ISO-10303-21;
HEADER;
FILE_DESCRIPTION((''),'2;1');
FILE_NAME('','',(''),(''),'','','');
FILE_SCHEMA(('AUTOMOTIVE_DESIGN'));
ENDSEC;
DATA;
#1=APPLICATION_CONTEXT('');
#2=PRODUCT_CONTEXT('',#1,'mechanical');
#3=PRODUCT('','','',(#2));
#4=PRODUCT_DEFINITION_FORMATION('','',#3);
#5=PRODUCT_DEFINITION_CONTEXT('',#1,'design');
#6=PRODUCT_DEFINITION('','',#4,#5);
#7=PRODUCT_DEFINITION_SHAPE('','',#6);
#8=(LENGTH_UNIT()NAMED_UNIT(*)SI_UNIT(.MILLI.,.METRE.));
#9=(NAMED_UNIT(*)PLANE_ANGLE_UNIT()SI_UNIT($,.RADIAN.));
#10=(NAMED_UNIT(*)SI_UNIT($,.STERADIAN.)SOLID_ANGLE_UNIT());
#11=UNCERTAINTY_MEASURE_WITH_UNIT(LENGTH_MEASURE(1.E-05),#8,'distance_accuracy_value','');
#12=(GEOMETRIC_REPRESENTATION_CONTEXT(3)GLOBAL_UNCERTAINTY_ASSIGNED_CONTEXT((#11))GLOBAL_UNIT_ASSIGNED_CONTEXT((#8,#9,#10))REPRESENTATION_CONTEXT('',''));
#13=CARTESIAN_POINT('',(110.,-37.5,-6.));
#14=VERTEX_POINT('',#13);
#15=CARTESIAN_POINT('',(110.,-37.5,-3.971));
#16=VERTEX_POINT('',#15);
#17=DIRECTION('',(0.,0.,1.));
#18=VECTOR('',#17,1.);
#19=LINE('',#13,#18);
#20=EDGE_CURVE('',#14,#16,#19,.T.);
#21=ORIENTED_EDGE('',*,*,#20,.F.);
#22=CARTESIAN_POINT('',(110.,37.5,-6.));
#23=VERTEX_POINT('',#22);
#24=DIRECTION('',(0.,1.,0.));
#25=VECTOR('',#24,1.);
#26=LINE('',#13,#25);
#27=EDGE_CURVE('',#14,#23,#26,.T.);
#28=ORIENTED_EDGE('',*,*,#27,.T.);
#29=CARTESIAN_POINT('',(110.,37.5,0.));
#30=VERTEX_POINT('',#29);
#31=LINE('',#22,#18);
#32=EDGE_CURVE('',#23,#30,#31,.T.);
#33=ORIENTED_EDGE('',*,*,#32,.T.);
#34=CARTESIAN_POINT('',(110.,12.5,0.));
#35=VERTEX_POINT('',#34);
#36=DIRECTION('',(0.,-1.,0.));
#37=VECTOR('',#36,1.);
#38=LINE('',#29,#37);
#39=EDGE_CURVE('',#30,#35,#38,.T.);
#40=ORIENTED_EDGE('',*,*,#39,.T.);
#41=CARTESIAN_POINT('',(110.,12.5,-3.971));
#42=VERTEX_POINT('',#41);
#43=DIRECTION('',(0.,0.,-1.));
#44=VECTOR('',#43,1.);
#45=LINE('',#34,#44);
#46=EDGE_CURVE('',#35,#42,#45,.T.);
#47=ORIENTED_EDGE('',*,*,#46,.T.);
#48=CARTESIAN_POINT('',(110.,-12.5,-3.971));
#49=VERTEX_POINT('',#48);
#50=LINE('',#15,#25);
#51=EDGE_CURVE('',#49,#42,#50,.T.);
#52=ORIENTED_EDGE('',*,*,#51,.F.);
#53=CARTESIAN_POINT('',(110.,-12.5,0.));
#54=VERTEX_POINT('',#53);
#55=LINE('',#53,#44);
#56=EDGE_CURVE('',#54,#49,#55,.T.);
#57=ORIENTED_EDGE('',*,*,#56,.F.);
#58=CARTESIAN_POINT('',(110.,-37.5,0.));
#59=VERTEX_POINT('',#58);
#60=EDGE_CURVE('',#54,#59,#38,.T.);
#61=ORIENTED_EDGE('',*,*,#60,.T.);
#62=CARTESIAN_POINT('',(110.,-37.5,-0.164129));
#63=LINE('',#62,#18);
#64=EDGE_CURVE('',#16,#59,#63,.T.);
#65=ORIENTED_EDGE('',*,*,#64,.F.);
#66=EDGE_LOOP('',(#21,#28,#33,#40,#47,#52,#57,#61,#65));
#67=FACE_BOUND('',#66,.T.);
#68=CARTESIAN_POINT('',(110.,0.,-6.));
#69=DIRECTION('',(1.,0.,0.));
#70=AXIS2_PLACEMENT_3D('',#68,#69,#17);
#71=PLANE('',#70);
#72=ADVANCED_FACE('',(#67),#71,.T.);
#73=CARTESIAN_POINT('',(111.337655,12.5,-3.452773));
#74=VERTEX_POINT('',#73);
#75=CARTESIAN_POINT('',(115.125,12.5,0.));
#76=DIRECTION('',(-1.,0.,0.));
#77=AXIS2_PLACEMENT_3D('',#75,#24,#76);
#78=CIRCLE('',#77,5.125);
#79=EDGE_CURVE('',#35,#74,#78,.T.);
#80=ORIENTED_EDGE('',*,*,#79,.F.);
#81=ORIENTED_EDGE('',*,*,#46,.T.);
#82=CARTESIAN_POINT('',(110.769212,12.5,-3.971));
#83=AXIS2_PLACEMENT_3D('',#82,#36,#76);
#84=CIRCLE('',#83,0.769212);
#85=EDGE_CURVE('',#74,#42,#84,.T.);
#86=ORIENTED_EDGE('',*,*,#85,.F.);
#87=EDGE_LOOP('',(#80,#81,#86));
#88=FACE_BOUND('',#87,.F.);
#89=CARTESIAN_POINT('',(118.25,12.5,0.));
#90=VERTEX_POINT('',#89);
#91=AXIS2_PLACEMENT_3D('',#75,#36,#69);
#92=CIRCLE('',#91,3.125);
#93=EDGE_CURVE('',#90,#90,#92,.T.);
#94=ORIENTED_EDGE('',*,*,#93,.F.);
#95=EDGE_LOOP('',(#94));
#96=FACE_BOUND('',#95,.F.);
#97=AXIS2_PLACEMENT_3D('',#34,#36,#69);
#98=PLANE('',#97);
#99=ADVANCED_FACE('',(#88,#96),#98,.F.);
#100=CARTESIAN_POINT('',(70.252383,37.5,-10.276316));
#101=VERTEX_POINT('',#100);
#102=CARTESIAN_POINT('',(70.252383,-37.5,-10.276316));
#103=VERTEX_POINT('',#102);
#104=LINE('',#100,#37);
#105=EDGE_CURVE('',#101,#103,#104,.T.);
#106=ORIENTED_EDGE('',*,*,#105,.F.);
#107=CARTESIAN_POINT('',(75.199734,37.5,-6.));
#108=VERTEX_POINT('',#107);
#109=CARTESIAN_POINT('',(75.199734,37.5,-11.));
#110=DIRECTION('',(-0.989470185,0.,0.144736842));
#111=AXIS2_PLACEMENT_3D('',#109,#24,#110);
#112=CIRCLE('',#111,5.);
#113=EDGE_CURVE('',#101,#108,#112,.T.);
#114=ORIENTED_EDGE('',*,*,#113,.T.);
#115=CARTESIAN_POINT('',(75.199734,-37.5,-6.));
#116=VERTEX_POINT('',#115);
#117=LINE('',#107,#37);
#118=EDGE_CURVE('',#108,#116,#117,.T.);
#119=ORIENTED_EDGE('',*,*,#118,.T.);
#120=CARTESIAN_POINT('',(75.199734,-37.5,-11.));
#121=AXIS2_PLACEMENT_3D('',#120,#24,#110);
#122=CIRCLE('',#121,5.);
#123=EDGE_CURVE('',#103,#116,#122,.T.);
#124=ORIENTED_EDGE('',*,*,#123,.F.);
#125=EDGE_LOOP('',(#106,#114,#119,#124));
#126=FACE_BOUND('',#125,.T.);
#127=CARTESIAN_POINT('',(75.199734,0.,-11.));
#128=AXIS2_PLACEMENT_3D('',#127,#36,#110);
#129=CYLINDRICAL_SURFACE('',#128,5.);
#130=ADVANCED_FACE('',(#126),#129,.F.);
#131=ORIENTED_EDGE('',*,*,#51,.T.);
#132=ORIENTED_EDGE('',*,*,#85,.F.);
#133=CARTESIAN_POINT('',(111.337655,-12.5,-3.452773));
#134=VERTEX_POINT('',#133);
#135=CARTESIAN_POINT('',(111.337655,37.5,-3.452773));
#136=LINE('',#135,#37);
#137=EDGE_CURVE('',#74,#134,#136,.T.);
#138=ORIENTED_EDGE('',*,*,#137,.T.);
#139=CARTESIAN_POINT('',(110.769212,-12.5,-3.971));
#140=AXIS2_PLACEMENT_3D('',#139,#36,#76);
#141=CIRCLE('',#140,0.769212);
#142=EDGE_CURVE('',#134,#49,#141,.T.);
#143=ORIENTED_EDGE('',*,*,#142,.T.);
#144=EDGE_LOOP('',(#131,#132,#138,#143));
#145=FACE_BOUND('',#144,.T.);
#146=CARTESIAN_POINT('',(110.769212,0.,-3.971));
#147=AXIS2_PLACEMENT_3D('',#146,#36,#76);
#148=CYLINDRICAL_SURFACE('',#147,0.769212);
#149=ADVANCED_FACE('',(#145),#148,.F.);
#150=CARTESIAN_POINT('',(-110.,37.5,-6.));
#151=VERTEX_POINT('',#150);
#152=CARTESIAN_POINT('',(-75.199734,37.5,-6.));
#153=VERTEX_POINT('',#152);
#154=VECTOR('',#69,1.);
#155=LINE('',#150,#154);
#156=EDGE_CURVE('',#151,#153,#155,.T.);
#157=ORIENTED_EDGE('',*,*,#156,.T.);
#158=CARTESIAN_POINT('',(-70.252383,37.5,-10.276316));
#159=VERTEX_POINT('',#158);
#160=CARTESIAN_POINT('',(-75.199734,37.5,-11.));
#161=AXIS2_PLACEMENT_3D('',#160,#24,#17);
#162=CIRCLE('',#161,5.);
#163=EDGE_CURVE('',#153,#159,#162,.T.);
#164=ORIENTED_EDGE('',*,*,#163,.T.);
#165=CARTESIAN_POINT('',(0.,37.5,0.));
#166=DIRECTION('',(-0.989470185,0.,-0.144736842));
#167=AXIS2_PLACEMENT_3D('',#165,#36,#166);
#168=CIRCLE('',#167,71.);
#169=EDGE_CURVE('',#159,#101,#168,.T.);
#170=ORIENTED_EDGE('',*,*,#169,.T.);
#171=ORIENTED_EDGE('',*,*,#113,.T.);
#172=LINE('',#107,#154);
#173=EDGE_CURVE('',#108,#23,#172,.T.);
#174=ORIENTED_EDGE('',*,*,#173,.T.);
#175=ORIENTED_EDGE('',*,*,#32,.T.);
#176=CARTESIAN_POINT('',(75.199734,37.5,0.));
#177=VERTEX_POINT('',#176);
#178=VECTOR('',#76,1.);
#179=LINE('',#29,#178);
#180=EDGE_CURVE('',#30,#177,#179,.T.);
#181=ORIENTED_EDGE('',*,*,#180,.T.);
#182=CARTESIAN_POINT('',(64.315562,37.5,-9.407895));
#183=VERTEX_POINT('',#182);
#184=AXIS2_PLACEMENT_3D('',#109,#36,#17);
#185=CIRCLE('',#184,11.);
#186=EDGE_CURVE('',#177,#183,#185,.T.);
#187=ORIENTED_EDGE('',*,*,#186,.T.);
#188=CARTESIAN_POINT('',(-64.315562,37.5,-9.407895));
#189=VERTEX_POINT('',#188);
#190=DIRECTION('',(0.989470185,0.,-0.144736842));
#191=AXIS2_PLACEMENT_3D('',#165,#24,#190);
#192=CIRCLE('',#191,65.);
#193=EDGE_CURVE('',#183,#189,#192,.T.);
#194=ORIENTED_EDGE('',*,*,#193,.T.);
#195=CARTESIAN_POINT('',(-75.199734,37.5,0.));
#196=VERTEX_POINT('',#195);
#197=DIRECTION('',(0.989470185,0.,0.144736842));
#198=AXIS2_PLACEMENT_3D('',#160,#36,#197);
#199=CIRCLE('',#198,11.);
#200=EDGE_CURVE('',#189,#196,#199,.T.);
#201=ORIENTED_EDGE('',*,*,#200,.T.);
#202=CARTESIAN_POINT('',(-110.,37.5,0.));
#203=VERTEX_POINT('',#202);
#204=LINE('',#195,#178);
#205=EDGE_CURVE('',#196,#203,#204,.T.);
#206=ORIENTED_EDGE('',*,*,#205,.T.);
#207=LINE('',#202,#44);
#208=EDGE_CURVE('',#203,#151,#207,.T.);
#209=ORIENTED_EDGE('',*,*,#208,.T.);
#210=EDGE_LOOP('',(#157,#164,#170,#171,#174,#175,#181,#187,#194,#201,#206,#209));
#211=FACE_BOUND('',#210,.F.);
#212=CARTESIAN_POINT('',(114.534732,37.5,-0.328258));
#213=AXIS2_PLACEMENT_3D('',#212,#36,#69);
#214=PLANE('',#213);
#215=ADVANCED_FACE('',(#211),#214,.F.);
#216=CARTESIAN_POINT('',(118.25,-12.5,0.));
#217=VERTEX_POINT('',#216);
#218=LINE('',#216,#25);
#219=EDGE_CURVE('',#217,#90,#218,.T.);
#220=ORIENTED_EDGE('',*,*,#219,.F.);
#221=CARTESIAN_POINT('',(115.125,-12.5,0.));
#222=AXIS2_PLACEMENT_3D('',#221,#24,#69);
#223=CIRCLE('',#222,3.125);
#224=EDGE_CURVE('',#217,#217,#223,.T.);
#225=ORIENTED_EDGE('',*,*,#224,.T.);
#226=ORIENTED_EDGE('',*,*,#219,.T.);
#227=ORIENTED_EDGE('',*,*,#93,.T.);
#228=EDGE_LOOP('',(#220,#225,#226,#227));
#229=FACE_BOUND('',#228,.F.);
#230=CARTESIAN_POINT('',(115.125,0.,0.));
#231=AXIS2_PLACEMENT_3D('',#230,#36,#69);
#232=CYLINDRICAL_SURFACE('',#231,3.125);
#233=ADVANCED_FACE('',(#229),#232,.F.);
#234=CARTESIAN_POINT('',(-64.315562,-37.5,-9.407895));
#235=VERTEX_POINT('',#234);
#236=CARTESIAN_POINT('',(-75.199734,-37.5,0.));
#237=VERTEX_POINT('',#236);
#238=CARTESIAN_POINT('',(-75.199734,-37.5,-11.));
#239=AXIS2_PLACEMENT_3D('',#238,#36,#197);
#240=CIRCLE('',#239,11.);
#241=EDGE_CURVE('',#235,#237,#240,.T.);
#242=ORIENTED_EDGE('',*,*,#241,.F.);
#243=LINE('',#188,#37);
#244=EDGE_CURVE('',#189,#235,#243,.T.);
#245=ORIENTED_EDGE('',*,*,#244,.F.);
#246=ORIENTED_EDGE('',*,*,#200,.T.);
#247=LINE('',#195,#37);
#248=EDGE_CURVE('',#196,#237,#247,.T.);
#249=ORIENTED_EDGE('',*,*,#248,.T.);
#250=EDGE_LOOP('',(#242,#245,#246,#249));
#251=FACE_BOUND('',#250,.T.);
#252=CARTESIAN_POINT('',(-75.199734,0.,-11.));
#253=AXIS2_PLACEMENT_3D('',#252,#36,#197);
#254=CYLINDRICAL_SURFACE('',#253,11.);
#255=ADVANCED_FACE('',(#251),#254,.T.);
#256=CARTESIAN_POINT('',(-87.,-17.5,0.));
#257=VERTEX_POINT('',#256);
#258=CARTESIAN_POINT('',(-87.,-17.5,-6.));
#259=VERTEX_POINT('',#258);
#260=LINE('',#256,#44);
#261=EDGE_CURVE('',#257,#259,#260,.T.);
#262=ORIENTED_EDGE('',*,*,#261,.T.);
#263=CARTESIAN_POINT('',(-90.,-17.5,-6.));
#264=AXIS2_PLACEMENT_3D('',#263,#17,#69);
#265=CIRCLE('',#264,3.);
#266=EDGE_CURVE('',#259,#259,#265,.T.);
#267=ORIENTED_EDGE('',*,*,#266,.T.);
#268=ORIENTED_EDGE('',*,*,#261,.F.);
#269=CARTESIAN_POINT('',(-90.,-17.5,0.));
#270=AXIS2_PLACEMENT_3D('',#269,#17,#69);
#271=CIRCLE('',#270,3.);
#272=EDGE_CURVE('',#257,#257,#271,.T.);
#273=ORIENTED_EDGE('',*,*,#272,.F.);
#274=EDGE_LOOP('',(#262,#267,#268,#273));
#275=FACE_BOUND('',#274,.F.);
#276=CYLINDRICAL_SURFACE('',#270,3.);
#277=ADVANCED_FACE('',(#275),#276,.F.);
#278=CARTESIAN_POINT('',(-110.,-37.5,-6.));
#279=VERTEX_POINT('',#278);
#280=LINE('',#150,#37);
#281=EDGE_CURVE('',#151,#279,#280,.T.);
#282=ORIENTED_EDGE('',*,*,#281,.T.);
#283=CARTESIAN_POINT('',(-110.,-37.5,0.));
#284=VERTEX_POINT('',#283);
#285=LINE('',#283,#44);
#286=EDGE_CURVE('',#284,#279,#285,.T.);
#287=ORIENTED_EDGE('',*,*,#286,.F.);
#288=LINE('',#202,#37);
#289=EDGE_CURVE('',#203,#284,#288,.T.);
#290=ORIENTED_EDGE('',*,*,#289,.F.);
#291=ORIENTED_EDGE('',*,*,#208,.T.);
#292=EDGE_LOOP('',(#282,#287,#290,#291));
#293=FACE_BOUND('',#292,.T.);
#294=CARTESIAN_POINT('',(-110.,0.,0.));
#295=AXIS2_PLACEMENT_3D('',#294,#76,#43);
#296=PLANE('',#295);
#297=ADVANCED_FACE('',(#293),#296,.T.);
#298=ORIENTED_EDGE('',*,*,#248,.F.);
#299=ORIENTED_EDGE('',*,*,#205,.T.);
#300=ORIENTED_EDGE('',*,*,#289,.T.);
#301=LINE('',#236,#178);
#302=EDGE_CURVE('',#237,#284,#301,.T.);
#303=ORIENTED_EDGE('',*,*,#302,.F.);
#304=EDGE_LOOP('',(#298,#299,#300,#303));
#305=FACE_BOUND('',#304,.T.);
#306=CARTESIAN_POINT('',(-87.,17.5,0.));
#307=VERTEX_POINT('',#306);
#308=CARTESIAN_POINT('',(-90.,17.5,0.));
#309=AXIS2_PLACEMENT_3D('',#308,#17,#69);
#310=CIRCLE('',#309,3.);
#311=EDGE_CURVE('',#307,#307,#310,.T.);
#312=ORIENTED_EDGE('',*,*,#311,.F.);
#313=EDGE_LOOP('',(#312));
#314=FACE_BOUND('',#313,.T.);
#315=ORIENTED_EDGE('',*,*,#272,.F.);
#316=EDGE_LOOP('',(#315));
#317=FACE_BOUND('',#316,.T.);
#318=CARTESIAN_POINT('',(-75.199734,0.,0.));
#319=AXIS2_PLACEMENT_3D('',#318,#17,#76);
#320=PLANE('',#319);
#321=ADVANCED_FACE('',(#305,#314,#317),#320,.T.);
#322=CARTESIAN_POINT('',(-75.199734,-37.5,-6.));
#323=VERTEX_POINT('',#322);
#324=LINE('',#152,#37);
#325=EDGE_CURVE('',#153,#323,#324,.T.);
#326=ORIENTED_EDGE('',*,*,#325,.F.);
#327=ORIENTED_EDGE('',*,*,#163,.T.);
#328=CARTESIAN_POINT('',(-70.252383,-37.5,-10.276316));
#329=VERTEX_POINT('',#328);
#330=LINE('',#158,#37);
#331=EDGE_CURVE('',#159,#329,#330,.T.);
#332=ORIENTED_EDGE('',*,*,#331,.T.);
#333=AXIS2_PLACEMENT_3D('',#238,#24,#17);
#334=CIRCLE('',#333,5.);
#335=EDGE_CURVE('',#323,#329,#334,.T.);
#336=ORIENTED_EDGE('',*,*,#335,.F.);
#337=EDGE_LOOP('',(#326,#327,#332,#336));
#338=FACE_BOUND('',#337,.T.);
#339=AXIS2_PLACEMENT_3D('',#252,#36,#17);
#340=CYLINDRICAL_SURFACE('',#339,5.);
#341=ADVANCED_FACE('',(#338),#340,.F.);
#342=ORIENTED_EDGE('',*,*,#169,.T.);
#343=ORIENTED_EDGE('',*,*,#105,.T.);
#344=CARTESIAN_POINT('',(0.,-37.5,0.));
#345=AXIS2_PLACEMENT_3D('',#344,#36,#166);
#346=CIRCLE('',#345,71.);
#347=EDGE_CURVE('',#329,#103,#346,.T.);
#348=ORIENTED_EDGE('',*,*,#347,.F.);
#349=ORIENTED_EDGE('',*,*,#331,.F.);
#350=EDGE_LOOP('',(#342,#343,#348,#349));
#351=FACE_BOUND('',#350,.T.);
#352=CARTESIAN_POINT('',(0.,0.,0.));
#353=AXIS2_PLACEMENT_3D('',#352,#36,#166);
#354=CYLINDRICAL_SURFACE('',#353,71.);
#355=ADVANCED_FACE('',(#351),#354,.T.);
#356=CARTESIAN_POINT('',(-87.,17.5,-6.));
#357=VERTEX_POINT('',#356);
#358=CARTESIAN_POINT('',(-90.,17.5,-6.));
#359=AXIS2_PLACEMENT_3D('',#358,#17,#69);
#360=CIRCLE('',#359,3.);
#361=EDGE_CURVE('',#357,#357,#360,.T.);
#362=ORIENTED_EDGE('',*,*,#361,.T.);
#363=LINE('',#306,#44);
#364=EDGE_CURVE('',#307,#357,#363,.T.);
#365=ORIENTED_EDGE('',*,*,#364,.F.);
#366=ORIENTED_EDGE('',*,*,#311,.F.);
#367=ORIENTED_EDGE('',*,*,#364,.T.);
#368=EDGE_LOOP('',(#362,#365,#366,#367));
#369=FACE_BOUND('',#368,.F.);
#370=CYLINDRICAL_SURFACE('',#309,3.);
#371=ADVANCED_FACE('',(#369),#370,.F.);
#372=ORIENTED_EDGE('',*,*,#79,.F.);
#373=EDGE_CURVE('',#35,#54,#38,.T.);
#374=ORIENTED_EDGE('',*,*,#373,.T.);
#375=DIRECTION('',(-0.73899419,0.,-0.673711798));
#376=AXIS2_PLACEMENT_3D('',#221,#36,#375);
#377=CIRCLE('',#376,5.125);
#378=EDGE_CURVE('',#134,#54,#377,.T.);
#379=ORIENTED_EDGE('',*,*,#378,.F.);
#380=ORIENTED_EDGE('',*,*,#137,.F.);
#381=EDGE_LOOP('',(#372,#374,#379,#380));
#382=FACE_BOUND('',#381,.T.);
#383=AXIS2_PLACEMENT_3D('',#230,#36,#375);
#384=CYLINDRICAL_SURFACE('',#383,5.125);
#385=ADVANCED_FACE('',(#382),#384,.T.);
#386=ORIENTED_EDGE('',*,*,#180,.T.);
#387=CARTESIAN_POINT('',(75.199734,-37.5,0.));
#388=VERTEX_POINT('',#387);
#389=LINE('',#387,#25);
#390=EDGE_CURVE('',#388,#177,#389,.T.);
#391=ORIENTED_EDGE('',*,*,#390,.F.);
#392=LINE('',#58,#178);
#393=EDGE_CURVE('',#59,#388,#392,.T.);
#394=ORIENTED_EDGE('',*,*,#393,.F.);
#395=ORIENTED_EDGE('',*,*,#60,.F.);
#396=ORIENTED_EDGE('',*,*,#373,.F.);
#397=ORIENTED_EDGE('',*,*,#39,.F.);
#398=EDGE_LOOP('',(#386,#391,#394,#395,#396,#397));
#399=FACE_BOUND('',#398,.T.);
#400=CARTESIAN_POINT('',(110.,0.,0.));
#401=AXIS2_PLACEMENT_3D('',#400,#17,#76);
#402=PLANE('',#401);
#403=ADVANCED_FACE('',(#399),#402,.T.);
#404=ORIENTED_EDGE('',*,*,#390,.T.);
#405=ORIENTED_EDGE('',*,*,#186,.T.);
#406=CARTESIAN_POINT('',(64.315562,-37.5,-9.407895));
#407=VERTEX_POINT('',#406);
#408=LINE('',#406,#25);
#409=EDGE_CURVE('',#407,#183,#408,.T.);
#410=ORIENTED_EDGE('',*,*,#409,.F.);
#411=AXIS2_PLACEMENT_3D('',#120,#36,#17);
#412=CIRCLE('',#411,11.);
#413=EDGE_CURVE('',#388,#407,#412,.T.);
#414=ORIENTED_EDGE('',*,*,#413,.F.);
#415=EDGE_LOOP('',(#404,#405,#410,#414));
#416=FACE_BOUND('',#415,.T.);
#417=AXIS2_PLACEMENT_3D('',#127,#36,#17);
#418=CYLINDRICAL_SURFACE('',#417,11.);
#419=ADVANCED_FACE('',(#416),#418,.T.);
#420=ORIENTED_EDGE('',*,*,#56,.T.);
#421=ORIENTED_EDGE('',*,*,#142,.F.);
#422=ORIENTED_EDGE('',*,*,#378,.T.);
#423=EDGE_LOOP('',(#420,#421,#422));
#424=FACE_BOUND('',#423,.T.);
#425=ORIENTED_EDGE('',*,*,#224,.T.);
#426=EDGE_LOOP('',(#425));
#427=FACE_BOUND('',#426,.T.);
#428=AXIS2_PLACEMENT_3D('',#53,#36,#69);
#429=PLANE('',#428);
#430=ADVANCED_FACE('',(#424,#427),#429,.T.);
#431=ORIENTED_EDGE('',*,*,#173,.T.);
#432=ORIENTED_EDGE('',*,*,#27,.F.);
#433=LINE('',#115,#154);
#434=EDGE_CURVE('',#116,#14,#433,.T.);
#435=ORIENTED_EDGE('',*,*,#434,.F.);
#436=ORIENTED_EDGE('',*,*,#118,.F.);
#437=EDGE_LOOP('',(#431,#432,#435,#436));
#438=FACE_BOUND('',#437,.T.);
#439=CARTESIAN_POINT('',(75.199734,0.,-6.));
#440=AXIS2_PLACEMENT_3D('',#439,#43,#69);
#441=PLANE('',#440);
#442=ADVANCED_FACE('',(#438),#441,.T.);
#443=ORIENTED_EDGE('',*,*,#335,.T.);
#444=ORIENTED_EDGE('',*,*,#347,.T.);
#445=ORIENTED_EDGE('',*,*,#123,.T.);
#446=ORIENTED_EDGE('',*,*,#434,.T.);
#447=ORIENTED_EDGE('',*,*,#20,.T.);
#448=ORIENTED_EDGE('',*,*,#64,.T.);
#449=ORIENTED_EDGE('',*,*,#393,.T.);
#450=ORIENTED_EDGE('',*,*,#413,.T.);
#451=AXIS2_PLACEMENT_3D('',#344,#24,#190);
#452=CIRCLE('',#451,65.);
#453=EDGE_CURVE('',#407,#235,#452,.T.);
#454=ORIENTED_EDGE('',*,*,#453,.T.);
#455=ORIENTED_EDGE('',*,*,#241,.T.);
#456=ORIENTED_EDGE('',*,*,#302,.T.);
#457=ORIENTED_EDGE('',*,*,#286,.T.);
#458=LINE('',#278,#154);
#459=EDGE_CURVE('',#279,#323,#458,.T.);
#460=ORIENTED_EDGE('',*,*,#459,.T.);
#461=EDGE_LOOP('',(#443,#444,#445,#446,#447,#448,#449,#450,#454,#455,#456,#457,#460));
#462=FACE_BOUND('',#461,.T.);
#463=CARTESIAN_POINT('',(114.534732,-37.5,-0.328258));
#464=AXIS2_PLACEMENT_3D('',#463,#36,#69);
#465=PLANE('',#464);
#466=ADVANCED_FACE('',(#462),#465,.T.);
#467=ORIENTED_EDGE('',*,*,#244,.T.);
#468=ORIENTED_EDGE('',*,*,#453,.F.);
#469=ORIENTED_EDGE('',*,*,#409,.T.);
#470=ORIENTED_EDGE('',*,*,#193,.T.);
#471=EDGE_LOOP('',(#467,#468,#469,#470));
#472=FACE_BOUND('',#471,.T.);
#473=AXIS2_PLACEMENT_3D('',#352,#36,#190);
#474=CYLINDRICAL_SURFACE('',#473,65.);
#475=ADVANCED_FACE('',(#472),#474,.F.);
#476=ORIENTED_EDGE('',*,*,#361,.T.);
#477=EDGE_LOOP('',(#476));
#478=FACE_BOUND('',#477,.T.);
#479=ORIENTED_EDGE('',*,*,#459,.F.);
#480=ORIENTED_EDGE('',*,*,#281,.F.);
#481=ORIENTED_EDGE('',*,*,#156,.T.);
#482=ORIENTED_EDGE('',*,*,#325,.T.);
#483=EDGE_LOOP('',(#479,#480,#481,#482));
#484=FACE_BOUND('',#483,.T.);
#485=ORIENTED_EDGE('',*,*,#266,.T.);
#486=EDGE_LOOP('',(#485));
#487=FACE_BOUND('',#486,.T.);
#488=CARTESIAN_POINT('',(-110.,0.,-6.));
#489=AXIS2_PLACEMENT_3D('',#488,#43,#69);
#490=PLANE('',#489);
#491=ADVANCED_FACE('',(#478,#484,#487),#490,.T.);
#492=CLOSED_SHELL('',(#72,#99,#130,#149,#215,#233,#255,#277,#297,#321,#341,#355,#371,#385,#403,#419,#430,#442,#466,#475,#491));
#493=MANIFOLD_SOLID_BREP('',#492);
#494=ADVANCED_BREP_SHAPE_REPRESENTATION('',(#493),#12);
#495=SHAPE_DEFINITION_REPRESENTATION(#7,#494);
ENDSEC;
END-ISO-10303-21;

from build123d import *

# Parameters (mm, degrees)
F1_DEPTH      = 37.5
F3_R          = 3.125
F4_DEPTH      = 37.5
F4_DEPTH_BACK = 37.5
F5_W          = 15.7129609585
F5_H          = 26.9097045064
F5_W_2        = 22.5772851706
F5_H_2        = 27.5291122496
F6_DEPTH      = 71.001
F6_DEPTH_BACK = 5.126
F2_R          = 3
F7_DEPTH      = 71.001


with BuildPart() as f1:
    # F0 (on Front) → F1 (new body, symmetric)
    with BuildSketch(Plane.XZ):
        with BuildLine():
            ThreePointArc((64.3155620097, -9.4078947368), (0, -65), (-64.3155620097, -9.4078947368))
            ThreePointArc((-64.3155620097, -9.4078947368), (-68.0064440401, -2.6779462302), (-75.1997340421, 0))
            Line((-75.1997340421, 0), (-110, 0))
            Line((-110, 0), (-110, -6))
            Line((-110, -6), (-75.1997340421, -6))
            ThreePointArc((-75.1997340421, -6), (-71.9300567685, -7.2172482865), (-70.2523831183, -10.2763157895))
            ThreePointArc((-70.2523831183, -10.2763157895), (0, -71), (70.2523831183, -10.2763157895))
            ThreePointArc((70.2523831183, -10.2763157895), (71.9300567685, -7.2172482865), (75.1997340421, -6))
            Line((75.1997340421, -6), (110, -6))
            Line((110, -6), (110, 0))
            Line((110, 0), (75.1997340421, 0))
            ThreePointArc((75.1997340421, 0), (68.0064440401, -2.6779462302), (64.3155620097, -9.4078947368))
        make_face()
    extrude(amount=F1_DEPTH, both=True)

    # F3 (on Front) → F4 (join, two sides)
    with BuildSketch(Plane.XZ) as f4_sk:
        with BuildLine():
            ThreePointArc((110, -3.971), (110.4913325801, -3.253734436), (111.3376547749, -3.4527729648))
            ThreePointArc((111.3376547749, -3.4527729648), (119.9038999403, 1.851415772), (110, 0))
            Line((110, 0), (110, -3.971))
        make_face()
        with Locations((115.125, 0)):
            Circle(F3_R, mode=Mode.SUBTRACT)
    extrude(amount=F4_DEPTH)
    extrude(f4_sk.sketch, amount=-F4_DEPTH_BACK)

    # F5 (on Top) → F6 (cut, two sides)
    with BuildSketch(Plane.XY) as f6_sk:
        with Locations((117.8564804792, -25.9548522532)):
            Rectangle(F5_W, F5_H)
        with Locations((121.2886425853, 26.2645561248)):
            Rectangle(F5_W_2, F5_H_2)
    extrude(amount=-F6_DEPTH, mode=Mode.SUBTRACT)
    extrude(f6_sk.sketch, amount=F6_DEPTH_BACK, mode=Mode.SUBTRACT)

    # F2 (on face) → F7 (cut, through all)
    with BuildSketch(Plane.XY):
        with Locations((-90, 17.5)):
            Circle(F2_R)
        with Locations((-90, -17.5)):
            Circle(F2_R)
    extrude(amount=-F7_DEPTH, mode=Mode.SUBTRACT)


solid = f1.part
